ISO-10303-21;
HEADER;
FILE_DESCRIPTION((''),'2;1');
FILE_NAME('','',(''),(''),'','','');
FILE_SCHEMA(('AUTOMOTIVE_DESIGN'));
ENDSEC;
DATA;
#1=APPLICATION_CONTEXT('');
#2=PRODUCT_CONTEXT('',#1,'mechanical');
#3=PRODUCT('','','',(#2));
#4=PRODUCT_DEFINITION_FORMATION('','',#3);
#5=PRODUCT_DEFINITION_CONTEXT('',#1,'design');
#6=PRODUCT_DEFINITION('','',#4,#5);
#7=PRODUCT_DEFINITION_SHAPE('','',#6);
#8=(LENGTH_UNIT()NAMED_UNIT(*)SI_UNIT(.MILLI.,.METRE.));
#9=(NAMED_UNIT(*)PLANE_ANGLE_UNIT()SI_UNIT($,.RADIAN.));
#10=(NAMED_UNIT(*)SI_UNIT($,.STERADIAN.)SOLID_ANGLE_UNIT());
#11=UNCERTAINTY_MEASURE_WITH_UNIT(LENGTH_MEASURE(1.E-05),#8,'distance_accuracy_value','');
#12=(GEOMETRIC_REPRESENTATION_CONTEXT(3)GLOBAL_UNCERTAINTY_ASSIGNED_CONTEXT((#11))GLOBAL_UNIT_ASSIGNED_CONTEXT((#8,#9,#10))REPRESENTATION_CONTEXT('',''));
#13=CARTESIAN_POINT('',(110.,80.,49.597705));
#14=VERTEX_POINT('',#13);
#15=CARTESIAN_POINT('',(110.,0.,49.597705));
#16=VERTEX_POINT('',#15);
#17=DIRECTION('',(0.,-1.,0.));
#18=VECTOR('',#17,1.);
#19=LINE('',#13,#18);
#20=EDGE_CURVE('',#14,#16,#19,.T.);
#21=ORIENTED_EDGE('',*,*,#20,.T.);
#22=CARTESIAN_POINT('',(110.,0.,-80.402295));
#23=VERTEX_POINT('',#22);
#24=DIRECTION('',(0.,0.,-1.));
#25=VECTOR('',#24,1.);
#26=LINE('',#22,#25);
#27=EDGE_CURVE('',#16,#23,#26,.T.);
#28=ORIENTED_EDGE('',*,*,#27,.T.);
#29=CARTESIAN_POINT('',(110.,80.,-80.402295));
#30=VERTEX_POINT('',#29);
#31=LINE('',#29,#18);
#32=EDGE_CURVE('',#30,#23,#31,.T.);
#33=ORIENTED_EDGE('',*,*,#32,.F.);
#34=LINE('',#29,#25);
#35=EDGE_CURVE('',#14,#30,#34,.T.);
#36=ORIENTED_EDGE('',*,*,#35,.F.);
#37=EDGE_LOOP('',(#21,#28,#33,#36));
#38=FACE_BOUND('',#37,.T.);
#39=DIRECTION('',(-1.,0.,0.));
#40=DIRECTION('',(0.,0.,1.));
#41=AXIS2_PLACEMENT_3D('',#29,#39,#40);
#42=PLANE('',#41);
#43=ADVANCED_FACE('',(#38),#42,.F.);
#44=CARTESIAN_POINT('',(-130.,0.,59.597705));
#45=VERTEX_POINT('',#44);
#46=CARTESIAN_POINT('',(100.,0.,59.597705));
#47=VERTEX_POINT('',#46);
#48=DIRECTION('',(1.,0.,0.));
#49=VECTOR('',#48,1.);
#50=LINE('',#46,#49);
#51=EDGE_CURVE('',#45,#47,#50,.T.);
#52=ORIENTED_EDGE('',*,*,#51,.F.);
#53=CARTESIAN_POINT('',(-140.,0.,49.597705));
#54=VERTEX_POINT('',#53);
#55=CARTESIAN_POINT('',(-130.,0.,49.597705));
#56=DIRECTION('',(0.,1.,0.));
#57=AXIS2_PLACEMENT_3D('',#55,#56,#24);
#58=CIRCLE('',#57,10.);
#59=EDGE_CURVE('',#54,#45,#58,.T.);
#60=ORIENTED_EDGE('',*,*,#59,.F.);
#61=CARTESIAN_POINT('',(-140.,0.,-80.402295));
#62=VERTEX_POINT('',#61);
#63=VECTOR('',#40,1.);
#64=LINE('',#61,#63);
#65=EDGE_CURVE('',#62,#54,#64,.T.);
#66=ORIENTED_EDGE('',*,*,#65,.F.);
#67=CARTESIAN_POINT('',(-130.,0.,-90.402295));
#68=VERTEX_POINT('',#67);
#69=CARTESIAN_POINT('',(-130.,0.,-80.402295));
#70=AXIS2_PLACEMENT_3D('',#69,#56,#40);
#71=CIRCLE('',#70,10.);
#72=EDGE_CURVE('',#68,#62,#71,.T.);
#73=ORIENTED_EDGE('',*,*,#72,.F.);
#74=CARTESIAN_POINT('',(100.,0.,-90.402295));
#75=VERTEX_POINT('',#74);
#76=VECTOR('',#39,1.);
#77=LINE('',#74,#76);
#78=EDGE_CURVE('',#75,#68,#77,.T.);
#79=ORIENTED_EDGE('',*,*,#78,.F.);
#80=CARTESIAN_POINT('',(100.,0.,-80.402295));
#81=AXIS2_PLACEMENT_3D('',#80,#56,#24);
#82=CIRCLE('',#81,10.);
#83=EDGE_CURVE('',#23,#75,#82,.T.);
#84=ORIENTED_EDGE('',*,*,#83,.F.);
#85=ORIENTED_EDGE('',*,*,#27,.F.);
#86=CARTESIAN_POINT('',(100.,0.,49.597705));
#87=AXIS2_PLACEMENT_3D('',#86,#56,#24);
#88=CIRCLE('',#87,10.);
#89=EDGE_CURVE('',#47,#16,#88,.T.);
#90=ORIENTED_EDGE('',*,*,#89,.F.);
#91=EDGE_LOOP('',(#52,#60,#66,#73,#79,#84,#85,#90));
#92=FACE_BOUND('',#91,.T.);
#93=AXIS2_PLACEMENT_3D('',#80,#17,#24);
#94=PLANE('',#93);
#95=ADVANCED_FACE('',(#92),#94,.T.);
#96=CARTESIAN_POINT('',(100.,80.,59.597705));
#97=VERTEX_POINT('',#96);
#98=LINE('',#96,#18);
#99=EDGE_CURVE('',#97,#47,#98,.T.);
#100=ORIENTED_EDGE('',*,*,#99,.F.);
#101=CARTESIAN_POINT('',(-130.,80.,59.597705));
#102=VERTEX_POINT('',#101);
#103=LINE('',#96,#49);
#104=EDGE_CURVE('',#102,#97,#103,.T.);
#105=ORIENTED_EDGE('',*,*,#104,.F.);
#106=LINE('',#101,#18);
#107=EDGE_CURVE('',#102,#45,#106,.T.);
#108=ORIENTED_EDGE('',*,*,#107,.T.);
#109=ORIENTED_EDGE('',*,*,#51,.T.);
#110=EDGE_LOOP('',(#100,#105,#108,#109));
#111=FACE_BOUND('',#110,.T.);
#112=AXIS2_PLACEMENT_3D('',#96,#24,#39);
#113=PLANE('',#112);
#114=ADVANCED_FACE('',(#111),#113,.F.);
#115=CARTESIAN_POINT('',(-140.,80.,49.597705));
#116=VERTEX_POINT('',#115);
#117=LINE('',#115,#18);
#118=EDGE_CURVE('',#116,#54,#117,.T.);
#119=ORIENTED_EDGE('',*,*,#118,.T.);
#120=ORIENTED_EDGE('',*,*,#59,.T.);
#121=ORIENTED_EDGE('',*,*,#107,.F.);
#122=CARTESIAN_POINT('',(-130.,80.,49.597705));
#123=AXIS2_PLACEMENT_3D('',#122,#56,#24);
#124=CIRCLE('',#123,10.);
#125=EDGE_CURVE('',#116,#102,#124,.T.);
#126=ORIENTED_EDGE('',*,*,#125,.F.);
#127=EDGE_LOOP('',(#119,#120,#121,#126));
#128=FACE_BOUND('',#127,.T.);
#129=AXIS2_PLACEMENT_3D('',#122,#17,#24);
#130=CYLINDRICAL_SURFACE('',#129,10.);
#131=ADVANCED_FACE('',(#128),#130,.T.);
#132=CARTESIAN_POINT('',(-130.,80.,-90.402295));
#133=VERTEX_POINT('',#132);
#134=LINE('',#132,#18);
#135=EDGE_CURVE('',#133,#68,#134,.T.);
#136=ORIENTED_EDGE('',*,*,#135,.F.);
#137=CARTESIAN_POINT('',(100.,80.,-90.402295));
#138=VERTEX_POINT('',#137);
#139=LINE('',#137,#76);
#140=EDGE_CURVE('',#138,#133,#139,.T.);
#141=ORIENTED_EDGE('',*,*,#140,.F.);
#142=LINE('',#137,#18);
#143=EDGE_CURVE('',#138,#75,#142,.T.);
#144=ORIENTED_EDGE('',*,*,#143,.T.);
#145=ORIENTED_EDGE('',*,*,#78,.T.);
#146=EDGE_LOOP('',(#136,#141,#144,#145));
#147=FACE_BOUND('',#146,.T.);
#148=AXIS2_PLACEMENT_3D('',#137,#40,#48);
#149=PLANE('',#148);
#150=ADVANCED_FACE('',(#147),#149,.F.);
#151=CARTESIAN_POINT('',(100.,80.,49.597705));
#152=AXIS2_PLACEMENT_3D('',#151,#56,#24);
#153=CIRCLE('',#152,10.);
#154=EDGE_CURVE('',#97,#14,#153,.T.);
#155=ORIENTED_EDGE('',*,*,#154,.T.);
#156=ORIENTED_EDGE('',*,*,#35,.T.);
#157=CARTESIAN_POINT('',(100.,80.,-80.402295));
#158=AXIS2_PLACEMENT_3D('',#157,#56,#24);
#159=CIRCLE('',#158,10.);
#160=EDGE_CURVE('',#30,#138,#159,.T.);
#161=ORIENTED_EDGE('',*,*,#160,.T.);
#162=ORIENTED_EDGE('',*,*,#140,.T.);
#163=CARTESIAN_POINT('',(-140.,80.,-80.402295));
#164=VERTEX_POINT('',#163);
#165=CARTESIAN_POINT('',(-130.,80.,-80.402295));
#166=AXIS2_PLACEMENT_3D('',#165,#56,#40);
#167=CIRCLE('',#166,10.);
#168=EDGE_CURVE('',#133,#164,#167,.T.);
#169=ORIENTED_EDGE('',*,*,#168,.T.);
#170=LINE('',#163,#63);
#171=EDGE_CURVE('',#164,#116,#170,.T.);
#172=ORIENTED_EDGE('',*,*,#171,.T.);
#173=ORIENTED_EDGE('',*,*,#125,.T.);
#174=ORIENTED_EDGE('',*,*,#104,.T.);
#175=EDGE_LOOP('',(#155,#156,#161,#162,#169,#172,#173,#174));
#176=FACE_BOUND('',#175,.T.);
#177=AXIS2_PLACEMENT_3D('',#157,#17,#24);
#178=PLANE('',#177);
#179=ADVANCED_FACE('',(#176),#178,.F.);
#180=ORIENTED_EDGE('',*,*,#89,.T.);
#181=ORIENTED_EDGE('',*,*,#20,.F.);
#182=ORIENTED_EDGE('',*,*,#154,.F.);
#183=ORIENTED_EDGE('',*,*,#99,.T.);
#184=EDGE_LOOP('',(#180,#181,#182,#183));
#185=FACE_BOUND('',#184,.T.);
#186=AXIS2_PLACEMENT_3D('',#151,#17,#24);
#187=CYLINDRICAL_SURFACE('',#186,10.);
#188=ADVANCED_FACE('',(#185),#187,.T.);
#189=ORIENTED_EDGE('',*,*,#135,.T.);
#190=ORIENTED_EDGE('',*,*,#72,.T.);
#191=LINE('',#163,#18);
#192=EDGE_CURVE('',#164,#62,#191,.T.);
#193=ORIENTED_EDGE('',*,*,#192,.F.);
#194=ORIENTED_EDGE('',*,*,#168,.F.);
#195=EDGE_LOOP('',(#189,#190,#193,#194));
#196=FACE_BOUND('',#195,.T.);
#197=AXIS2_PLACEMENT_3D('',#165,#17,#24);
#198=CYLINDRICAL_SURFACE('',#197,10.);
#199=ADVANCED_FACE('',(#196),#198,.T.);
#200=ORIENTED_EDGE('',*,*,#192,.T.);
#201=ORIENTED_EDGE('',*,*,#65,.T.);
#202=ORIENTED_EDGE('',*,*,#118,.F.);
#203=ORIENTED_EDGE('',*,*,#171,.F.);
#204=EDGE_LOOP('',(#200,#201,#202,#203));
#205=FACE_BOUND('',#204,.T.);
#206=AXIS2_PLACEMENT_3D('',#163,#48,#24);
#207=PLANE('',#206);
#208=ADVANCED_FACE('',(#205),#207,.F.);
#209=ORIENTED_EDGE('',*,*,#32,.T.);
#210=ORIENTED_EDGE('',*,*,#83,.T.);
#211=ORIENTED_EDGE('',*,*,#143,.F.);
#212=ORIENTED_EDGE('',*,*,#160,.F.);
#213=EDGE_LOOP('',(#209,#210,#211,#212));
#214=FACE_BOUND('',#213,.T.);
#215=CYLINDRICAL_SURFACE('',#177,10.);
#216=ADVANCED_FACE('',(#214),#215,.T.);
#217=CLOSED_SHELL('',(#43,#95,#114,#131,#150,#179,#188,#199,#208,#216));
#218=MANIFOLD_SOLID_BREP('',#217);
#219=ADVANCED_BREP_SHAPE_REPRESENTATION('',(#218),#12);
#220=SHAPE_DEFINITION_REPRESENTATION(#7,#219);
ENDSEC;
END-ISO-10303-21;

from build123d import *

# Parameters (mm, degrees)
BOSS_EXTRUDE1_DEPTH = 80


with BuildPart() as part:
    # Sketch1 → Boss-Extrude1 (new body)
    with BuildSketch(Plane(origin=(0, 0, 0), x_dir=(1, 0, 0), z_dir=(0, 1, 0))):
        with BuildLine():
            Line((100, 90.402295225), (-130, 90.402295225))
            ThreePointArc((-130, 90.402295225), (-137.071067812, 87.473363037), (-140, 80.402295225))
            Line((-140, 80.402295225), (-140, -49.597704775))
            ThreePointArc((-140, -49.597704775), (-137.071067812, -56.668772587), (-130, -59.597704775))
            Line((-130, -59.597704775), (100, -59.597704775))
            ThreePointArc((100, -59.597704775), (107.071067812, -56.668772587), (110, -49.597704775))
            Line((110, -49.597704775), (110, 80.402295225))
            ThreePointArc((110, 80.402295225), (107.071067812, 87.473363037), (100, 90.402295225))
        make_face()
    extrude(amount=BOSS_EXTRUDE1_DEPTH)


solid = part.part
